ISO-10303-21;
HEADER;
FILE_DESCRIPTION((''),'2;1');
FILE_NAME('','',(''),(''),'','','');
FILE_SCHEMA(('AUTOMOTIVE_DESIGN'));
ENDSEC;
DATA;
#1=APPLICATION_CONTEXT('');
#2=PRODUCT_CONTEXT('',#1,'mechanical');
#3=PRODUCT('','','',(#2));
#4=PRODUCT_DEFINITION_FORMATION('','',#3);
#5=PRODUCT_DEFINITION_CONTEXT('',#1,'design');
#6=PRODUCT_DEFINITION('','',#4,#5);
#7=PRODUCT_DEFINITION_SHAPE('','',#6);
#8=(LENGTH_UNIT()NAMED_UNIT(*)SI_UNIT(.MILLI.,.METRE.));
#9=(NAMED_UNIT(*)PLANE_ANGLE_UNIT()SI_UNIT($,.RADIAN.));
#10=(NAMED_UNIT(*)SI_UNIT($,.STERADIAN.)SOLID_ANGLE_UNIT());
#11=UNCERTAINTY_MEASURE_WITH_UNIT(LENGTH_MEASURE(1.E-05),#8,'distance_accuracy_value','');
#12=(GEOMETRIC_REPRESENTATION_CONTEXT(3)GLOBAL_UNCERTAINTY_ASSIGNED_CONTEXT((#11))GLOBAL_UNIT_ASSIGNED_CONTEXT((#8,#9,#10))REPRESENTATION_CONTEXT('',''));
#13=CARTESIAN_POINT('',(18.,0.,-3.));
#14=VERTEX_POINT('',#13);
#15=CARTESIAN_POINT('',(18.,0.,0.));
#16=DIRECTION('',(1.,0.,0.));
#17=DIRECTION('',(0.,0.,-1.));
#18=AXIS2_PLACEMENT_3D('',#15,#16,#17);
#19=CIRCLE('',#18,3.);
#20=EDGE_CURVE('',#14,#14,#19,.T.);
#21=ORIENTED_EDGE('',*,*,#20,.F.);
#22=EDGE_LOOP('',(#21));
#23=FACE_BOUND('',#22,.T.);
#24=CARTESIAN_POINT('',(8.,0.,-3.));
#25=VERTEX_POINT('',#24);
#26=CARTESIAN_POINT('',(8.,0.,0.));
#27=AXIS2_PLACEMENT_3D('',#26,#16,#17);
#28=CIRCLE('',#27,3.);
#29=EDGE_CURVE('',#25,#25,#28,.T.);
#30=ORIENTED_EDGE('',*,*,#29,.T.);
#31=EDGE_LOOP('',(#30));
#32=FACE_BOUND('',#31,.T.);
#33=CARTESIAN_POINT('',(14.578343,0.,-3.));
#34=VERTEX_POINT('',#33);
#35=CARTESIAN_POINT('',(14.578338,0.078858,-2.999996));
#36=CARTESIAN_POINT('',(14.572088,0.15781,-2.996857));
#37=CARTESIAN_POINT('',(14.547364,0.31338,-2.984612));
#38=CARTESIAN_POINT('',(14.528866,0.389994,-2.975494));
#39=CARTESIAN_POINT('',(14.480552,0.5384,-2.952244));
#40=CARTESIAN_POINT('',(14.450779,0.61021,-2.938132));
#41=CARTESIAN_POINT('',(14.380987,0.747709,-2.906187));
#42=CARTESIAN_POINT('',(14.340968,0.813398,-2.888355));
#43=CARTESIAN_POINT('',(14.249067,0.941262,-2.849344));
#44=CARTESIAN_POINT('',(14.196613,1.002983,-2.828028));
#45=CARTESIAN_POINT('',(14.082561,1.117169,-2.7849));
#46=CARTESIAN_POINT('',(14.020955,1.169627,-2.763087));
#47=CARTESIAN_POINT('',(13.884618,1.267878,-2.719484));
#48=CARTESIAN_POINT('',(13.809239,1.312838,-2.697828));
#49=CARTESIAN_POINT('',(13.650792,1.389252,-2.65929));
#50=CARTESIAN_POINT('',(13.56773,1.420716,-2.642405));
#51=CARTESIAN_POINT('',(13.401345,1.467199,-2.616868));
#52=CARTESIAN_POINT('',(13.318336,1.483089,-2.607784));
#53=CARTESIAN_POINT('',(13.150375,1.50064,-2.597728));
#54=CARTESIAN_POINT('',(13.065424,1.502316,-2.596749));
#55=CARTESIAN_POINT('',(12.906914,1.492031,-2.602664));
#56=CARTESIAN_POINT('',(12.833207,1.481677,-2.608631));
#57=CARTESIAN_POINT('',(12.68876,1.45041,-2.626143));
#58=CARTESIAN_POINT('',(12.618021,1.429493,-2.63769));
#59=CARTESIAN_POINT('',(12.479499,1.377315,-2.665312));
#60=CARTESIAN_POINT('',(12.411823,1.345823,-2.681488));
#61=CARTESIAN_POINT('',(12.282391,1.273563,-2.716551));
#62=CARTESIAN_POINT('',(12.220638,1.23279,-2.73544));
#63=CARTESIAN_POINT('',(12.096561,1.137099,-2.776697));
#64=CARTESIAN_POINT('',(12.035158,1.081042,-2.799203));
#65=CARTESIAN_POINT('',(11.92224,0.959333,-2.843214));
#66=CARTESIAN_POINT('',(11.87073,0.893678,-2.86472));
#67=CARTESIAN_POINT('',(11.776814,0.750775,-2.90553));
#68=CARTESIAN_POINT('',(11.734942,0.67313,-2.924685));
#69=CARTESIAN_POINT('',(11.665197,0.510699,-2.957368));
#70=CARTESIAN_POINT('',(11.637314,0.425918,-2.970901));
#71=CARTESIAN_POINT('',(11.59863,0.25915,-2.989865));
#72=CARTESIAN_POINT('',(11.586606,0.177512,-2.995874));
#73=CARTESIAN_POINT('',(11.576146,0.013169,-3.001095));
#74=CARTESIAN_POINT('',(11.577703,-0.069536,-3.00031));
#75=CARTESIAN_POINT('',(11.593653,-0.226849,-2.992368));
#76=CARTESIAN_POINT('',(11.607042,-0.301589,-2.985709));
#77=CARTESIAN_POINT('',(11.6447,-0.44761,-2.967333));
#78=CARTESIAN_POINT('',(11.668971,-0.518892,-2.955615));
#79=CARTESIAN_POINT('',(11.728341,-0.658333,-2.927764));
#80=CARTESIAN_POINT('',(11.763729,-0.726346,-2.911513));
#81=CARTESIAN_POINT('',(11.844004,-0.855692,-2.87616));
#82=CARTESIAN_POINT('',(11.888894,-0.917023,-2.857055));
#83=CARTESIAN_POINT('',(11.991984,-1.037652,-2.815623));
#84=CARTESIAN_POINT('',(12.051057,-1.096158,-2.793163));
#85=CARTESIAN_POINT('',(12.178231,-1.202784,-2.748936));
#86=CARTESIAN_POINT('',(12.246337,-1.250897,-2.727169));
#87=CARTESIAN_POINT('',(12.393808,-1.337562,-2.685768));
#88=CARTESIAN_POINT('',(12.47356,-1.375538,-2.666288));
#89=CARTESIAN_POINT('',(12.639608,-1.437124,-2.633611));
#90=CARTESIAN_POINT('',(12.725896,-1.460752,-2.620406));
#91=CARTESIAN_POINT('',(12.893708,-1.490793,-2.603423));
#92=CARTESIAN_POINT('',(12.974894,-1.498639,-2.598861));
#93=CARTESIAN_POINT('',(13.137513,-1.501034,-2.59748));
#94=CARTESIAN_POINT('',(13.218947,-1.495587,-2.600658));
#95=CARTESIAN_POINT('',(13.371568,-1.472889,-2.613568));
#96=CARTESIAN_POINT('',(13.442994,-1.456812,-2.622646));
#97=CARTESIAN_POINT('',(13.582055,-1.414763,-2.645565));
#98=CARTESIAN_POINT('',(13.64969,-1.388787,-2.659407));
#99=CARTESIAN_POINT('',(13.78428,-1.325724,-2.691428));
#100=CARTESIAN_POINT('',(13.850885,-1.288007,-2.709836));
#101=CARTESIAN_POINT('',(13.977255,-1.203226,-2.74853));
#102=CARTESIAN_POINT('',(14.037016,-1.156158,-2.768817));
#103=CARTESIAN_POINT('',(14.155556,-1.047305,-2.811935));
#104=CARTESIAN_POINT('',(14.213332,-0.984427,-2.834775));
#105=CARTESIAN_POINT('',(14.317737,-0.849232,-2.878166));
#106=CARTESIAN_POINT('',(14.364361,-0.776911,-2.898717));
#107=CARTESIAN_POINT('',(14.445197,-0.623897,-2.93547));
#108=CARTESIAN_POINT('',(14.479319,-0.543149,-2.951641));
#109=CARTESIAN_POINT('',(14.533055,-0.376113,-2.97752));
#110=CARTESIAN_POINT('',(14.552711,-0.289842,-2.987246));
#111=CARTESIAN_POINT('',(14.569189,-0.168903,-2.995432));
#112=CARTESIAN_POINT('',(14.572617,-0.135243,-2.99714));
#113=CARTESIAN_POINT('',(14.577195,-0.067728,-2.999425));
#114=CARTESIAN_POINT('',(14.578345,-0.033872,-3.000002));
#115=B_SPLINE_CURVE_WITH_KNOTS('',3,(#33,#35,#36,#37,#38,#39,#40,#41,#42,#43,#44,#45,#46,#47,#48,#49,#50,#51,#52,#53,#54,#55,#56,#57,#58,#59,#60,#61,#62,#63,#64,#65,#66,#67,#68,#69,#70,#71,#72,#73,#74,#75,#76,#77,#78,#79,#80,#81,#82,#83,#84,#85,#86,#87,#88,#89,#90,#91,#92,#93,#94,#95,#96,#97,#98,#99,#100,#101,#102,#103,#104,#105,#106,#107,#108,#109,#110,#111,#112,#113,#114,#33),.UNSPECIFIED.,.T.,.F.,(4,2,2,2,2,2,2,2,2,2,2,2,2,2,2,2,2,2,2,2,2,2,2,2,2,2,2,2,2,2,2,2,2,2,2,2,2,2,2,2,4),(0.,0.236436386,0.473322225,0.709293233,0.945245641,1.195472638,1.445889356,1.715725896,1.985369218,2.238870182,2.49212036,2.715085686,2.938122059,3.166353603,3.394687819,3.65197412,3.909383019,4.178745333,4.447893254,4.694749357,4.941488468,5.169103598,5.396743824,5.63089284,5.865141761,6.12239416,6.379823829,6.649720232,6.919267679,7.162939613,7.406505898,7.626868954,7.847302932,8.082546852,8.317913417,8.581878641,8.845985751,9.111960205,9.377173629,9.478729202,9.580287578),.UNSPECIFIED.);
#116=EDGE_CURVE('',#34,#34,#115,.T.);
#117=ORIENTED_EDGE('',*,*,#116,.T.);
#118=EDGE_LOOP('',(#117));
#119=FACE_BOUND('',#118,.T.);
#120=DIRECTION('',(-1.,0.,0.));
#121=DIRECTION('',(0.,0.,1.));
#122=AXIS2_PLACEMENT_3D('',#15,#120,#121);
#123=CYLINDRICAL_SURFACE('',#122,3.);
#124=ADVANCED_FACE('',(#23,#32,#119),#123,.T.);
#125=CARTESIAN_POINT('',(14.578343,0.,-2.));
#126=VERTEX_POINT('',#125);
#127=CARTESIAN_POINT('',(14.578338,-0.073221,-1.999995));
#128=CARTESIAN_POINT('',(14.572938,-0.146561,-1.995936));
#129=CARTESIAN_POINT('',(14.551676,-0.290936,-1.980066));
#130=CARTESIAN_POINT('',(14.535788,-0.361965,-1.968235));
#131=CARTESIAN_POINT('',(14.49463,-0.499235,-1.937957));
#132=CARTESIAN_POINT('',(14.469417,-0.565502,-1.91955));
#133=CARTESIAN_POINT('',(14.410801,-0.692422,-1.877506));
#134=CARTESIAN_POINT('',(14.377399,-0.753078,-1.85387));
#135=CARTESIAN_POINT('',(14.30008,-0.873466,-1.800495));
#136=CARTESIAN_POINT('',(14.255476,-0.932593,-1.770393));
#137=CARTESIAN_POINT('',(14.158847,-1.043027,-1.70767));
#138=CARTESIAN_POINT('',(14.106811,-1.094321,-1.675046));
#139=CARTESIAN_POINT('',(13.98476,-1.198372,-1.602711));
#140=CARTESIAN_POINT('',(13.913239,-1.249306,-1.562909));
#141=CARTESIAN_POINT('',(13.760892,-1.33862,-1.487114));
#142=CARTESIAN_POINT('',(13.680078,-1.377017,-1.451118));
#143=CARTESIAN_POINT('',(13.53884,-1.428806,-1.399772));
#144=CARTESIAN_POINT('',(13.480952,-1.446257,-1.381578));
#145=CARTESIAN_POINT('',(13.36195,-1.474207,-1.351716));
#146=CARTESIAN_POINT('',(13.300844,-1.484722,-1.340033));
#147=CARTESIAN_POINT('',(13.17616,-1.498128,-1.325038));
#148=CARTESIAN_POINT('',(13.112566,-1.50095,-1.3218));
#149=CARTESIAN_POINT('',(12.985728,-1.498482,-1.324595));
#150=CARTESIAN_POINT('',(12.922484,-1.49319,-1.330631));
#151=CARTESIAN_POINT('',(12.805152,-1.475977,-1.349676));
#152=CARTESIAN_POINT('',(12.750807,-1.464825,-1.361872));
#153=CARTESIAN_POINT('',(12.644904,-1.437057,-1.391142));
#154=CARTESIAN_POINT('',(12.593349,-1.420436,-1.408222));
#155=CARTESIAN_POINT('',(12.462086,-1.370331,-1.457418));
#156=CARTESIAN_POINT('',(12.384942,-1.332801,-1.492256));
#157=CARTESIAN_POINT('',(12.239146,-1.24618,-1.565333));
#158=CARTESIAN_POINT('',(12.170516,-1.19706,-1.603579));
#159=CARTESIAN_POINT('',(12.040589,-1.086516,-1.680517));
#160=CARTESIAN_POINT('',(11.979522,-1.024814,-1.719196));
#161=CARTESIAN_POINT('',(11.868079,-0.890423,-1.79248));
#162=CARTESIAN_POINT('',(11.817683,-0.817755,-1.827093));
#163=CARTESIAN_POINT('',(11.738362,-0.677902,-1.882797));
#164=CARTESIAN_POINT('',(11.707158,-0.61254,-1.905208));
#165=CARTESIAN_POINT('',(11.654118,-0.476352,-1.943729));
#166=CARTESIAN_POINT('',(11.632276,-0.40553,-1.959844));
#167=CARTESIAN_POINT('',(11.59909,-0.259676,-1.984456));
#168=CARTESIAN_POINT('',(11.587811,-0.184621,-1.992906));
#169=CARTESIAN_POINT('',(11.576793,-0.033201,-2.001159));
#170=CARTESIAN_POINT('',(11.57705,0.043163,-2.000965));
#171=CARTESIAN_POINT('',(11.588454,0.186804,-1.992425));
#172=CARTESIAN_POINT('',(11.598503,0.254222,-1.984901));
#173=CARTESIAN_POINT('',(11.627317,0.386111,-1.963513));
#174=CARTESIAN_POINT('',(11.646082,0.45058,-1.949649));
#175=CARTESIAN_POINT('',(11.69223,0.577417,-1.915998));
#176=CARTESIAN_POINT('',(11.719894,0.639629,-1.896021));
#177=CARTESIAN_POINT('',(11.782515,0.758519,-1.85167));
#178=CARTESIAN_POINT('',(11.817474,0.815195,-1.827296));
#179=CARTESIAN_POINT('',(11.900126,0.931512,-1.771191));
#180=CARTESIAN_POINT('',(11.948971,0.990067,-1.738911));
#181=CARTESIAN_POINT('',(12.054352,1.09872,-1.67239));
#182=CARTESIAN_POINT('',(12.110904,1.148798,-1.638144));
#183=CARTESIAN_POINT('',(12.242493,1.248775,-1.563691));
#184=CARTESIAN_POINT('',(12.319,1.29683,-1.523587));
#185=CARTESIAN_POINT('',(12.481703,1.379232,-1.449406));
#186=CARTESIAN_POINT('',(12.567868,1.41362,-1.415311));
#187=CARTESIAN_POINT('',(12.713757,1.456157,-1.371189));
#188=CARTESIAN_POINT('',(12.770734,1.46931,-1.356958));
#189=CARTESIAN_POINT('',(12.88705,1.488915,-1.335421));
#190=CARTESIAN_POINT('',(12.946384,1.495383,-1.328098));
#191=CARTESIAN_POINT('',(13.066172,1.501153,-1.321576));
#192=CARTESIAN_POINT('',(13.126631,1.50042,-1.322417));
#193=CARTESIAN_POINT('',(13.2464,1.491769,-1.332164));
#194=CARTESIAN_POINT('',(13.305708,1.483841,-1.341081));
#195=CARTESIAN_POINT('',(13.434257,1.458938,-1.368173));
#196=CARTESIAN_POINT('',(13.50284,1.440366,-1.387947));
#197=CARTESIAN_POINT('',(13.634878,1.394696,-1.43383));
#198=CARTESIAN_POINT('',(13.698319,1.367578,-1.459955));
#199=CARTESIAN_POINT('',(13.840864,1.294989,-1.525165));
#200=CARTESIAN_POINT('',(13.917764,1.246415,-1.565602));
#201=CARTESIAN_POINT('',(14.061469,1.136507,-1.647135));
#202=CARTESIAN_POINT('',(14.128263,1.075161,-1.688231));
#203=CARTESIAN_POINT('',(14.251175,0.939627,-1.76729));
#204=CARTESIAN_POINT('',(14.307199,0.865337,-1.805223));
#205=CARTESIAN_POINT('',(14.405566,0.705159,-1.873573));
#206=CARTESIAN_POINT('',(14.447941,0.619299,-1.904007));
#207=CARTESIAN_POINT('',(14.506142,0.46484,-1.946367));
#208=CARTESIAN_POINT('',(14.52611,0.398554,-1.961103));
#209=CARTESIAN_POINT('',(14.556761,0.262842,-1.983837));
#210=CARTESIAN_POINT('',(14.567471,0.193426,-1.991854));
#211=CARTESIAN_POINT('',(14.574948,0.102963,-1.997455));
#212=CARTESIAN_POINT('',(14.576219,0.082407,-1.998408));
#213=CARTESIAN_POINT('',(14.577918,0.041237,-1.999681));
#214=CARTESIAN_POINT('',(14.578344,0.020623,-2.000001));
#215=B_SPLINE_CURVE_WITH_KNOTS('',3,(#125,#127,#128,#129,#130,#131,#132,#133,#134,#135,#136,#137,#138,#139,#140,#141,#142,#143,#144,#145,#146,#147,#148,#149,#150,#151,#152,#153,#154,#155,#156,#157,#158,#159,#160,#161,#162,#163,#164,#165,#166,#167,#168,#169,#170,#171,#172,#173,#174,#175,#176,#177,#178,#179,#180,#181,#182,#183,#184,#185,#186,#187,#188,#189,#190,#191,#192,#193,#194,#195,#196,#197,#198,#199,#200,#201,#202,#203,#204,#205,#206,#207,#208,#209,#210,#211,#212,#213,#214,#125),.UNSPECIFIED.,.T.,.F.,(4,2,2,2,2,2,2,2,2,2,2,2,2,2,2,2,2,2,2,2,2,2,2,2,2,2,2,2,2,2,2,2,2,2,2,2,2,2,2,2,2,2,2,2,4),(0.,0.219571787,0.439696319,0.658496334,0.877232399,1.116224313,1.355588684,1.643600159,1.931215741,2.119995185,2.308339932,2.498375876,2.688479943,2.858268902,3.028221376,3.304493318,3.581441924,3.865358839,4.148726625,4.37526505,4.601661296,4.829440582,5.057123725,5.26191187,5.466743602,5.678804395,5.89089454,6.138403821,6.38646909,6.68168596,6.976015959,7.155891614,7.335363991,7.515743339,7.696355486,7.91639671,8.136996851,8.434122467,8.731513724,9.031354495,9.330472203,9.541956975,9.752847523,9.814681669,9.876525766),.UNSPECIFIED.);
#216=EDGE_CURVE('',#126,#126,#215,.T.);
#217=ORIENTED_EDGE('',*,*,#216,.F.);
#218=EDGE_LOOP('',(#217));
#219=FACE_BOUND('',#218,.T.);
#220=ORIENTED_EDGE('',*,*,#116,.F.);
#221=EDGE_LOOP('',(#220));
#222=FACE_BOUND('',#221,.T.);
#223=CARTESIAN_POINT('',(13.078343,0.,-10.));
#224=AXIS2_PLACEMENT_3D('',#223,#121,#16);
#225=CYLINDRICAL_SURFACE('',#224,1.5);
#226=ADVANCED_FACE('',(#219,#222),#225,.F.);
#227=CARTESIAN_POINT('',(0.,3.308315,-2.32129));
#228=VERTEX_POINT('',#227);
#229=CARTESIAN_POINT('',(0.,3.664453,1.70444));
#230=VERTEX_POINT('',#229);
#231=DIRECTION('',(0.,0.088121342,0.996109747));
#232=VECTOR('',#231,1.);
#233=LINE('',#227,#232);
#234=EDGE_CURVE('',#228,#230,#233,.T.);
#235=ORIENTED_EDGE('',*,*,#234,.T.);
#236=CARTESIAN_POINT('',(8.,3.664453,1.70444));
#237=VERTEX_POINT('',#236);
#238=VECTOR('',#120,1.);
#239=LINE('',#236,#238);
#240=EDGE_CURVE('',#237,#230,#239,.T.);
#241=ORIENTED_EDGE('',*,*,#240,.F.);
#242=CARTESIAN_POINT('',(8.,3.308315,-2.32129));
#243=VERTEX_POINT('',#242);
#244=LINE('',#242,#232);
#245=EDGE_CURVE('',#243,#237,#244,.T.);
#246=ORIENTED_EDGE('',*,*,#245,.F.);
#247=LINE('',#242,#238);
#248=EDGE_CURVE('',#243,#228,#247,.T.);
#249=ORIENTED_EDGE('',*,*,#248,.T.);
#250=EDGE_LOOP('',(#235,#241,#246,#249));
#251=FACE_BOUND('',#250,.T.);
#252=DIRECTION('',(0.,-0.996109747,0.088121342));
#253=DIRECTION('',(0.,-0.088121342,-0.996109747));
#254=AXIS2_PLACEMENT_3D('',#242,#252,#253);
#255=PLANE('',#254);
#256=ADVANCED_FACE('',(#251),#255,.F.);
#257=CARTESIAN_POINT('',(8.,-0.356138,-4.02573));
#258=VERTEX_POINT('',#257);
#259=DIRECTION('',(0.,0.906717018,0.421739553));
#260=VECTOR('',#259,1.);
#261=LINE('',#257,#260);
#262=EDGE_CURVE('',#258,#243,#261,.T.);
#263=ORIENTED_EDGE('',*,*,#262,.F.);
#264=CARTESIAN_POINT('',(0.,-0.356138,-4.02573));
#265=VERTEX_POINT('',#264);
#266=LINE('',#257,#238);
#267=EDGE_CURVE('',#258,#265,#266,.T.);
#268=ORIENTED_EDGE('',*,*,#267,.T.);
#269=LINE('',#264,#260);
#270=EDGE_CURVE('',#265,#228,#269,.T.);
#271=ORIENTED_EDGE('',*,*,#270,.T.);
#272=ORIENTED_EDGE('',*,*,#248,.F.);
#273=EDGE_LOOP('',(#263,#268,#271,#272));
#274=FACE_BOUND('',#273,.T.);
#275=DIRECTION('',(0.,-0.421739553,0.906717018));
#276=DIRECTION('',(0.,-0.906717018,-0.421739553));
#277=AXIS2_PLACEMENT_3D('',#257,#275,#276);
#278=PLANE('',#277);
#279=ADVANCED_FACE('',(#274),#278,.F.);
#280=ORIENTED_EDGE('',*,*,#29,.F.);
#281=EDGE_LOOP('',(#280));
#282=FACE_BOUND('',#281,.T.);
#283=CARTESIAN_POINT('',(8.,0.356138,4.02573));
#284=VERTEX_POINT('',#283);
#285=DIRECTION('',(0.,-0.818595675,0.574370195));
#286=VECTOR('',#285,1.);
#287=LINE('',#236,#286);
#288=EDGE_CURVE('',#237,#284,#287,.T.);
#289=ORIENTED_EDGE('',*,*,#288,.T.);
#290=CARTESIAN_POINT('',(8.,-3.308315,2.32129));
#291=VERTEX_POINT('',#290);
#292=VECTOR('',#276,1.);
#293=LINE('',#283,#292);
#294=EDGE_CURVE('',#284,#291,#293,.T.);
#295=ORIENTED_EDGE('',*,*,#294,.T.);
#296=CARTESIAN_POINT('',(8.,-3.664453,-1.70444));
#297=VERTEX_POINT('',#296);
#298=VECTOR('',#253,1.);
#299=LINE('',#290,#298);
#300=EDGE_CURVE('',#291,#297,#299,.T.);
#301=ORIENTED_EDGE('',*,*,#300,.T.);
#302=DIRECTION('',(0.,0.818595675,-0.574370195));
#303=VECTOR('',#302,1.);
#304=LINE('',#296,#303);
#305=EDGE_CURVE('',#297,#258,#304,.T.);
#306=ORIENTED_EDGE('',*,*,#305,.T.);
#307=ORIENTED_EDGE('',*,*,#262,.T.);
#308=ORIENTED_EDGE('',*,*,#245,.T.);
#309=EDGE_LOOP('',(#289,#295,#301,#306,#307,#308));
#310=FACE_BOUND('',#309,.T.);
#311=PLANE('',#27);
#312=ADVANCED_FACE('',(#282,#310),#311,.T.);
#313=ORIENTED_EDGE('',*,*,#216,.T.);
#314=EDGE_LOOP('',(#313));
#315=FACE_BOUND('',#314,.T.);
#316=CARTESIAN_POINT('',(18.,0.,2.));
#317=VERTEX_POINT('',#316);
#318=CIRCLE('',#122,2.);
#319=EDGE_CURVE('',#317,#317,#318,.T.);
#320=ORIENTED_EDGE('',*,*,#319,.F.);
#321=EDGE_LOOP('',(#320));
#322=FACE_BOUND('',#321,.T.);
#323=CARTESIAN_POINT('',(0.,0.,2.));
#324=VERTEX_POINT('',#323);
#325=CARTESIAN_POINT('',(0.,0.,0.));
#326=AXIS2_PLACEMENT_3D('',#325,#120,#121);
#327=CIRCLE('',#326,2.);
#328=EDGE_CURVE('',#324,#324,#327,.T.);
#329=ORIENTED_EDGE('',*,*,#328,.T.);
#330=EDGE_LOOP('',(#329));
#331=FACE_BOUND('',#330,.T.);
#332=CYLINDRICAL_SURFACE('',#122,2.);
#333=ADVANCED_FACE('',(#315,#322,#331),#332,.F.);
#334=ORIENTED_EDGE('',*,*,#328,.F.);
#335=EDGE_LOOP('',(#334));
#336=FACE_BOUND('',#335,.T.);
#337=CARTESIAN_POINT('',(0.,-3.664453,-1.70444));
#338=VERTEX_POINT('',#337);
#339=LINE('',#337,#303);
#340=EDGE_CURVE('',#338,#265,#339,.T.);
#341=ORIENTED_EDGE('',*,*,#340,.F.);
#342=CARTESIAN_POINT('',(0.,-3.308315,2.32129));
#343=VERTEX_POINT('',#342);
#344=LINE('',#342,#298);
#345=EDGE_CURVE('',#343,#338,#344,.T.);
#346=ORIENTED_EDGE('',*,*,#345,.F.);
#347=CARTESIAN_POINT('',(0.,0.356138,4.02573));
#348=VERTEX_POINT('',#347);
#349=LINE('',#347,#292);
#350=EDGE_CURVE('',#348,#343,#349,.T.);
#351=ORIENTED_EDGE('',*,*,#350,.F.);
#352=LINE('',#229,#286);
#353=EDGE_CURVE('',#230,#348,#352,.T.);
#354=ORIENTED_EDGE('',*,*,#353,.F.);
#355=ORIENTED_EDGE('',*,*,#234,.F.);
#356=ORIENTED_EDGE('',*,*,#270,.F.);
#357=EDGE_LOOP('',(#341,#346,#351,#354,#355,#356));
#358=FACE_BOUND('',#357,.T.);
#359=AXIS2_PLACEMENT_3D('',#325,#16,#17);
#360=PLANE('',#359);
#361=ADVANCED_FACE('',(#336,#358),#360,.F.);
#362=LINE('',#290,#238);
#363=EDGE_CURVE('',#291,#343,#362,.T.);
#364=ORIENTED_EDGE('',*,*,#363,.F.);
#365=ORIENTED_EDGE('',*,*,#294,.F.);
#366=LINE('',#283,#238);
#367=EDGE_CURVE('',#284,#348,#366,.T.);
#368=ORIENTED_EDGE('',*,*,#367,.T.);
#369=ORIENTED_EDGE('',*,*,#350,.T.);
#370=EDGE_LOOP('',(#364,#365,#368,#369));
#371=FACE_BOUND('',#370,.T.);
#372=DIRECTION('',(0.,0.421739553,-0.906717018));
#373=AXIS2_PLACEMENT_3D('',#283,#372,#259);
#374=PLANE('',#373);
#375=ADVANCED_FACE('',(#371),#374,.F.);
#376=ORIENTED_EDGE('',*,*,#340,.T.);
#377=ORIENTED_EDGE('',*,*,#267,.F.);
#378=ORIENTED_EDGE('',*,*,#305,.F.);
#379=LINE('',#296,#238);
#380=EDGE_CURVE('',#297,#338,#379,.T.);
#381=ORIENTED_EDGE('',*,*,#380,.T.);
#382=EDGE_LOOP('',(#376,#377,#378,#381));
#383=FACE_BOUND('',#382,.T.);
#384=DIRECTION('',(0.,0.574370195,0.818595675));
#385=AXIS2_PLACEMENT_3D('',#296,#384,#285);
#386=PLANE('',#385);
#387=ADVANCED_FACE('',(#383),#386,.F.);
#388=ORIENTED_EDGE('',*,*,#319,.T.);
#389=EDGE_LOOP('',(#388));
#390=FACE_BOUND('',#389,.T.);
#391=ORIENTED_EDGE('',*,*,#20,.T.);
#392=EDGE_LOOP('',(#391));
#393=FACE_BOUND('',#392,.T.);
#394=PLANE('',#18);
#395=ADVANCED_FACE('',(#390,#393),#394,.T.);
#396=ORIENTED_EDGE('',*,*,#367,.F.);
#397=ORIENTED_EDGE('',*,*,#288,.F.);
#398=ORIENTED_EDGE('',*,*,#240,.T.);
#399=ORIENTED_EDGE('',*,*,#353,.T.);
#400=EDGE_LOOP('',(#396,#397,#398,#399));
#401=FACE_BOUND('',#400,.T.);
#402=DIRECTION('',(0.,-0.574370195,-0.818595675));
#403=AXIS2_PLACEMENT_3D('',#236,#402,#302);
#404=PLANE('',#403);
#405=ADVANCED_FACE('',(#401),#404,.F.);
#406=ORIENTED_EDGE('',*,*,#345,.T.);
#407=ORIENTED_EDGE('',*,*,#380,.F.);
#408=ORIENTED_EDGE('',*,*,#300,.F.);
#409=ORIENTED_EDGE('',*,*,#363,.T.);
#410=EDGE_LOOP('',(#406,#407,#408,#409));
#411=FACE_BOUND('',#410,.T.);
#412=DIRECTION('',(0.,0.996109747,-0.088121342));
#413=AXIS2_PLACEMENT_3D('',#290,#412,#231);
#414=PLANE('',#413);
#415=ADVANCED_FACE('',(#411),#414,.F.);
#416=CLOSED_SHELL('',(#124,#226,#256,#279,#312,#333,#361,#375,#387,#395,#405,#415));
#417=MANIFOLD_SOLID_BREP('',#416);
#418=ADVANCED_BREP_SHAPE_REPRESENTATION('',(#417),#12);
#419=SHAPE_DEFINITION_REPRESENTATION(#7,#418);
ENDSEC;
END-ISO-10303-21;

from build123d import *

# Parameters (mm, degrees)
EXTRUDE_1_DEPTH     = 8
SKETCH_2_R          = 3
EXTRUDE_2_DEPTH     = 10
SKETCH_3_R          = 2
CUT_EXTRUDE_1_DEPTH = 19.805177909
SKETCH_4_R          = 1.5
CUT_EXTRUDE_2_DEPTH = 10


with BuildPart() as part:
    # 草图1 → 凸台-拉伸1 (new body)
    with BuildSketch(Plane(origin=(0, 0, 0), x_dir=(0, 0, -1), z_dir=(1, 0, 0))):
        Polygon((1.704440109, -3.664453199), (4.025729616, -0.356138166), (2.321289507, 3.308315033), (-1.704440109, 3.664453199), (-4.025729616, 0.356138166), (-2.321289507, -3.308315033), align=None)
    extrude(amount=EXTRUDE_1_DEPTH)

    # 草图2 → 凸台-拉伸2 (add)
    with BuildSketch(Plane(origin=(8, 0, 0), x_dir=(0, 0, -1), z_dir=(1, 0, 0))):
        Circle(SKETCH_2_R)
    extrude(amount=EXTRUDE_2_DEPTH)

    # 草图3 → 切除-拉伸1 (cut, through all)
    with BuildSketch(Plane.ZY):
        Circle(SKETCH_3_R)
    extrude(amount=-CUT_EXTRUDE_1_DEPTH, mode=Mode.SUBTRACT)

    # 草图4 → 切除-拉伸2 (cut)
    with BuildSketch(Plane.XY):
        with Locations((13.078342884, 0)):
            Circle(SKETCH_4_R)
    extrude(amount=-CUT_EXTRUDE_2_DEPTH, mode=Mode.SUBTRACT)


solid = part.part
